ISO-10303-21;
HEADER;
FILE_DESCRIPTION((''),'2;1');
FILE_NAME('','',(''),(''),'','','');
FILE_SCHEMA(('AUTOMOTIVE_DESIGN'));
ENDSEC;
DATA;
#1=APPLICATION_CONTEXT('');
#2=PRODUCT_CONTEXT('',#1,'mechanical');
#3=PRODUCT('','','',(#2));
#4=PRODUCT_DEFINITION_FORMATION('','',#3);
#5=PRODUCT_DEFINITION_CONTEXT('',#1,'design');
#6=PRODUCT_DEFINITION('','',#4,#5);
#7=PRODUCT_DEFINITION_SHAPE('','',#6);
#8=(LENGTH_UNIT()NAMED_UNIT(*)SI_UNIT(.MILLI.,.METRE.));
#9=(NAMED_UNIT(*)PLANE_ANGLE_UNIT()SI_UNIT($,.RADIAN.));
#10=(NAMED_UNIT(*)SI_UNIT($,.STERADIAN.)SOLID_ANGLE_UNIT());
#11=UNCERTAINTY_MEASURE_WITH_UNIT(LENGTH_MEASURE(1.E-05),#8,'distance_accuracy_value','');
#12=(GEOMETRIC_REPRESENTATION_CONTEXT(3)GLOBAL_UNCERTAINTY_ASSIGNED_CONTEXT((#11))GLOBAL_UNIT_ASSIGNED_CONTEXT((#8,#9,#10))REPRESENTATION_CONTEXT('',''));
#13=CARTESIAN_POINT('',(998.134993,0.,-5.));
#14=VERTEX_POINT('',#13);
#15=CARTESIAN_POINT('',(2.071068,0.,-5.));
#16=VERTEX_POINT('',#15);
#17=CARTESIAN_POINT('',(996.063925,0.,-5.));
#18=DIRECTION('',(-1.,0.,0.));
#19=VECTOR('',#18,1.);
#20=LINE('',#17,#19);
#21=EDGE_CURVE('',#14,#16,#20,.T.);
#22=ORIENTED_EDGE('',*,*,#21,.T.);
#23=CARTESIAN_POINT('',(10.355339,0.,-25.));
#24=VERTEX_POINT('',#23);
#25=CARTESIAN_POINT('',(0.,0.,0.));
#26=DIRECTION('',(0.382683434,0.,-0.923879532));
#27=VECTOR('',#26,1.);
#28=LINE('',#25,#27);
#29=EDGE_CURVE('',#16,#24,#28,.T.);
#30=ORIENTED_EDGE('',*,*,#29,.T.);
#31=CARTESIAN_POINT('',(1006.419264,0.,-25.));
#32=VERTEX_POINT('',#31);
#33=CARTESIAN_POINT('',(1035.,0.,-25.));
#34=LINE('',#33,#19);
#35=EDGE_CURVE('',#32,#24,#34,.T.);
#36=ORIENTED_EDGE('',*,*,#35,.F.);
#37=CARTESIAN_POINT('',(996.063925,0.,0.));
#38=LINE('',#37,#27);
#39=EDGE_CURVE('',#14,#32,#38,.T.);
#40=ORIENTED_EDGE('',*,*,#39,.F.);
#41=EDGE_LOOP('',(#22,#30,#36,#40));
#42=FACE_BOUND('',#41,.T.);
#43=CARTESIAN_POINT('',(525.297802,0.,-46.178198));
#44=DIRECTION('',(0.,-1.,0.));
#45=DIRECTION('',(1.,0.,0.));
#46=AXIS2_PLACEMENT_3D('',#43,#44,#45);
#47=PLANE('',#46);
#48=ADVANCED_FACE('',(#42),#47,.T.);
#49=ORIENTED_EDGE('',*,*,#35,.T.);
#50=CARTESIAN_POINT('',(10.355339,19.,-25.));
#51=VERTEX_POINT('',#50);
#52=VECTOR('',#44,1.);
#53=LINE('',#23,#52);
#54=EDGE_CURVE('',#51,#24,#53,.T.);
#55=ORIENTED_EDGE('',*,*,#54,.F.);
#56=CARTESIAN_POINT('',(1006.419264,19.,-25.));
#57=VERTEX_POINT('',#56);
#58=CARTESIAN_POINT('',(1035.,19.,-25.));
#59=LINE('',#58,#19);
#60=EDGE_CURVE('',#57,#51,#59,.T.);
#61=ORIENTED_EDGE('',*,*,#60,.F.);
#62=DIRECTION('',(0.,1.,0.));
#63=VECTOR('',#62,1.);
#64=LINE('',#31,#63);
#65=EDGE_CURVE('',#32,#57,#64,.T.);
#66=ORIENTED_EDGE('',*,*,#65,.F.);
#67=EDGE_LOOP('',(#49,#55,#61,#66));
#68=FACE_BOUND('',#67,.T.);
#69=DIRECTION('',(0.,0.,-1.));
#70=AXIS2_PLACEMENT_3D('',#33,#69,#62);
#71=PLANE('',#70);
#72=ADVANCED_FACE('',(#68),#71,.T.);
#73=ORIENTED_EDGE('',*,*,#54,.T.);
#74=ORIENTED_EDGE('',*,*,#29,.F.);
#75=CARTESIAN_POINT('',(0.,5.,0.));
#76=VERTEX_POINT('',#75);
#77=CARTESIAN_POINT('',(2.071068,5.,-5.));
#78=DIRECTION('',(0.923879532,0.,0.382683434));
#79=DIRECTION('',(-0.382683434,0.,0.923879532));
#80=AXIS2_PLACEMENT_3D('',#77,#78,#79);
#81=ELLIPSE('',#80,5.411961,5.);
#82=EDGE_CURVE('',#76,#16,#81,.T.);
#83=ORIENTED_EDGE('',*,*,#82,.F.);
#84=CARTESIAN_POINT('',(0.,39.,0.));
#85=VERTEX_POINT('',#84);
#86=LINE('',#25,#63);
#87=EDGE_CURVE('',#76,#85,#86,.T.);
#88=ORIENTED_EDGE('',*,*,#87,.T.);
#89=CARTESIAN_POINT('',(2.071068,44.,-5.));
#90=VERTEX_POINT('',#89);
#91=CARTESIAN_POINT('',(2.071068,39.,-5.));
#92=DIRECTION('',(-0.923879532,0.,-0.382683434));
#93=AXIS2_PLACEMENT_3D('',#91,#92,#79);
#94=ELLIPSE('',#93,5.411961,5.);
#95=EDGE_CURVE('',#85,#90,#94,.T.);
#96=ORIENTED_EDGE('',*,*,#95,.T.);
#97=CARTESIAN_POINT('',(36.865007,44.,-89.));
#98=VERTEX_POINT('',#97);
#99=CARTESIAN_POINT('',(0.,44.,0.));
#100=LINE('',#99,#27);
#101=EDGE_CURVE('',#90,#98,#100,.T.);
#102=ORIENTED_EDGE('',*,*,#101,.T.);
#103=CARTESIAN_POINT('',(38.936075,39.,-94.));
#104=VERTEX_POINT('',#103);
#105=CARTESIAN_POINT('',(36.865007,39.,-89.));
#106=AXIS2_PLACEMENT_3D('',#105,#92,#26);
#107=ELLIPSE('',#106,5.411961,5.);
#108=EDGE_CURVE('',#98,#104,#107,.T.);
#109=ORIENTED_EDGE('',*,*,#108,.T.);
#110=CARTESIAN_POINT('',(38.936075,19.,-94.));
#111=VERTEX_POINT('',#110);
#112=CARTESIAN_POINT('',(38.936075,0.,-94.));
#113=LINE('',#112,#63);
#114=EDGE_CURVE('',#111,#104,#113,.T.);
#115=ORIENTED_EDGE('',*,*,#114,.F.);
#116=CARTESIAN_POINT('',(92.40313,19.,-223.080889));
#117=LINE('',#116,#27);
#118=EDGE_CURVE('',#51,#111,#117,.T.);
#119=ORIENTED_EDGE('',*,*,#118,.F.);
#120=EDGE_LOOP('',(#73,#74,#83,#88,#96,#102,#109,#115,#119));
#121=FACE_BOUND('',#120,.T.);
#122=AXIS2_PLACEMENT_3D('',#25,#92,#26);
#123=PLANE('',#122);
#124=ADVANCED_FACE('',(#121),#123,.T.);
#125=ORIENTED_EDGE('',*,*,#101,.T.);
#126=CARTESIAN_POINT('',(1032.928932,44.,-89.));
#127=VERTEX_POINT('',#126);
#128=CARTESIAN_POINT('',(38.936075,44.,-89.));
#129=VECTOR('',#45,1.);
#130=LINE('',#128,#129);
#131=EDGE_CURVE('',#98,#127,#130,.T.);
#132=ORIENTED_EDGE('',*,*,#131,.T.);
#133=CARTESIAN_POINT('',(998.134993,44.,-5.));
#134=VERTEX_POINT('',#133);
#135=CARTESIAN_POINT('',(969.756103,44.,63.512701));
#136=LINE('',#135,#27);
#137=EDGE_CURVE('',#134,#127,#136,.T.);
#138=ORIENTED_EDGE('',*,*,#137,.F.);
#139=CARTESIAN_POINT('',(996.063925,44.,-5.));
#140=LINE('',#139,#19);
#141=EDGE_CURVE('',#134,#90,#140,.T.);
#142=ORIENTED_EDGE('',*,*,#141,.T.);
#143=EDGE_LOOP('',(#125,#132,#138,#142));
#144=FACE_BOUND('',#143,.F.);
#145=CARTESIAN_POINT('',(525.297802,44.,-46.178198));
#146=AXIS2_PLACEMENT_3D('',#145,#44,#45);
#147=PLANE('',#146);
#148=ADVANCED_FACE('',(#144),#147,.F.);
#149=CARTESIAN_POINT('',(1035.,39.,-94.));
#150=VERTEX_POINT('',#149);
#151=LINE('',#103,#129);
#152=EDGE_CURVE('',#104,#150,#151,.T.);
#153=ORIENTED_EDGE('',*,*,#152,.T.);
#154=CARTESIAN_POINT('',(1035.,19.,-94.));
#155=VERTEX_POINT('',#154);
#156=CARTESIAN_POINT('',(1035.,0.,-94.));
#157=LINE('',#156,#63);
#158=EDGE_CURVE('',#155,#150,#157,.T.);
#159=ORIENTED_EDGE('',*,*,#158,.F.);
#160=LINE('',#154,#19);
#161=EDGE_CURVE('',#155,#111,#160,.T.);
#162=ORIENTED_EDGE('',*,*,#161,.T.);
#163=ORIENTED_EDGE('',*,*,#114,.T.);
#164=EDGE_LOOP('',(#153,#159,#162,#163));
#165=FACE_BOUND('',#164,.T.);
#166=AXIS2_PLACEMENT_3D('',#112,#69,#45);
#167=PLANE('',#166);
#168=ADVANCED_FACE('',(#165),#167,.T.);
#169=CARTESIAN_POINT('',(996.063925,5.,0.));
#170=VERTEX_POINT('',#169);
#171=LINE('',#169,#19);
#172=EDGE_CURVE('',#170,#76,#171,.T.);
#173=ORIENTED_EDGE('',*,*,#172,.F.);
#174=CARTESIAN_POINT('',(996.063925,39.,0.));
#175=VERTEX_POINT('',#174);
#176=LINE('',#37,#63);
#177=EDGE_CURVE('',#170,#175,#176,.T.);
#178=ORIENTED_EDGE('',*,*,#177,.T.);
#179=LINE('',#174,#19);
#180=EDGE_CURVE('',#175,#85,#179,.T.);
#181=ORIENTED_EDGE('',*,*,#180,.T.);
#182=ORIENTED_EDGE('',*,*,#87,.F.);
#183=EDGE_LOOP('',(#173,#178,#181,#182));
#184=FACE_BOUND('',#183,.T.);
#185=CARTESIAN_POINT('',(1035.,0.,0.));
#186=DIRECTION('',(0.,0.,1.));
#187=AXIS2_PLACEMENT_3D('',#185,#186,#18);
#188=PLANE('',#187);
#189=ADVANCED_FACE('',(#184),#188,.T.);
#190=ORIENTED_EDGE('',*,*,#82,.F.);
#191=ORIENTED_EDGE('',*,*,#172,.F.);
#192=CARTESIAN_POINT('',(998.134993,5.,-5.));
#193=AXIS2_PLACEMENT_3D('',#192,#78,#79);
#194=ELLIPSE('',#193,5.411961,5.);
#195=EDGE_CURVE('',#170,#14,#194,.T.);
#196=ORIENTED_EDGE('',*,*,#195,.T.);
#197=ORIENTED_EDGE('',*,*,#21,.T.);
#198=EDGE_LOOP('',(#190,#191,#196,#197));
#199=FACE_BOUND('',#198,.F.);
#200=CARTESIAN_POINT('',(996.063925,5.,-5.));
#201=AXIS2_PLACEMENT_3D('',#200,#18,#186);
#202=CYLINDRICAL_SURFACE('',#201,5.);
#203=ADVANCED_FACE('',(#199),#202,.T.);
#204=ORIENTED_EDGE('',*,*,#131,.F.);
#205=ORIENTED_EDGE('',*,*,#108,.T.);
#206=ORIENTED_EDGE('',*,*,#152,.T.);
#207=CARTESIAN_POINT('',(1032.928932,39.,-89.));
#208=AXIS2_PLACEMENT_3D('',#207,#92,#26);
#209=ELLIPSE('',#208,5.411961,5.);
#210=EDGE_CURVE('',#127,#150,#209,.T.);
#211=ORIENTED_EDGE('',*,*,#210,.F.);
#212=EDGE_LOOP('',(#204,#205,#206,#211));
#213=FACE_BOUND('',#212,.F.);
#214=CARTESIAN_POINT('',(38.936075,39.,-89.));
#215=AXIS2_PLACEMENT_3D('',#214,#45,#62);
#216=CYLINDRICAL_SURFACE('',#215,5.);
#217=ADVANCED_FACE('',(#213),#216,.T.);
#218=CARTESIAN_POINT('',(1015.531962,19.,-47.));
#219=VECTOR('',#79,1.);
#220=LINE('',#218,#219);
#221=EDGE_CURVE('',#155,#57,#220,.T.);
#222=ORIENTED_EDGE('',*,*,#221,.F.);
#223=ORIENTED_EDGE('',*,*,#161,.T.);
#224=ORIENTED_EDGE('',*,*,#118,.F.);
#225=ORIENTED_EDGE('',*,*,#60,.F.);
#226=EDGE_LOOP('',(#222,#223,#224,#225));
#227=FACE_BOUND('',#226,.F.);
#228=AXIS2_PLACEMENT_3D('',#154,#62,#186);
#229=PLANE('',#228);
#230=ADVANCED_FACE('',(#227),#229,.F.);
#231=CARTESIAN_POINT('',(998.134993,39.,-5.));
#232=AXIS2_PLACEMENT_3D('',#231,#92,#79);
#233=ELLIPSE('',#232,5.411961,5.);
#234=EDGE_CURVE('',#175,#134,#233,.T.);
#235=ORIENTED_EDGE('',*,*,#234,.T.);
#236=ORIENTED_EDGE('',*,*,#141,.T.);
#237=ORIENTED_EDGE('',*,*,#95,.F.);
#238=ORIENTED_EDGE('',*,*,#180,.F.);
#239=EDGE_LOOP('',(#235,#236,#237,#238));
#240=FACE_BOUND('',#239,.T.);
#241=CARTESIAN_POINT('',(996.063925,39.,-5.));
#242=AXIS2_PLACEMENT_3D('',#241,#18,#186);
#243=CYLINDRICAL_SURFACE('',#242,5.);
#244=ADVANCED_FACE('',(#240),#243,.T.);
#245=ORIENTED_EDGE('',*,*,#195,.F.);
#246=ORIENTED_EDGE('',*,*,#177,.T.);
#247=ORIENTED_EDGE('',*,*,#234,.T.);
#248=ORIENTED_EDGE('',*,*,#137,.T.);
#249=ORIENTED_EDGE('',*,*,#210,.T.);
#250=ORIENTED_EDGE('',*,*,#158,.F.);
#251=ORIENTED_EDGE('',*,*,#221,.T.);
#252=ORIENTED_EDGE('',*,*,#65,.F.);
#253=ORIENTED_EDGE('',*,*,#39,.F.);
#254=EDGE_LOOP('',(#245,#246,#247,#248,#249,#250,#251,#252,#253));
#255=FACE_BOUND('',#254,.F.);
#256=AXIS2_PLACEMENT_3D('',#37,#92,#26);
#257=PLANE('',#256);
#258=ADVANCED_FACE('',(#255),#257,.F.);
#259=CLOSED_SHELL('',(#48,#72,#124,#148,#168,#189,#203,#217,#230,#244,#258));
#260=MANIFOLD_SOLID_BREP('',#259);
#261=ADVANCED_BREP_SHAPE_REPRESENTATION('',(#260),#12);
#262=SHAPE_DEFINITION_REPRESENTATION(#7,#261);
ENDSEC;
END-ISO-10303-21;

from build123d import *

# Parameters (mm, degrees)
F1_DEPTH = 44
F3_W     = 19
F3_H     = 69
F4_DEPTH = 1035.001
F5_DEPTH = 44.001
F6_R     = 5


with BuildPart() as f1:
    # F0 (on Front) → F1 (new body)
    with BuildSketch(Plane.XZ):
        Polygon((1035, 0), (0, 0), (38.936075, -94), (1035, -94), align=None)
    extrude(amount=-F1_DEPTH)

    # F3 (on face) → F4 (cut, through all)
    with BuildSketch(Plane.YZ.offset(1035)):
        with Locations((9.5, -59.5)):
            Rectangle(F3_W, F3_H)
    extrude(amount=-F4_DEPTH, mode=Mode.SUBTRACT)

    # F2 (on face) → F5 (cut, through all)
    with BuildSketch(Plane.XZ):
        Polygon((996.063925, 0), (1035, -94), (1035, 0), align=None)
    extrude(amount=-F5_DEPTH, mode=Mode.SUBTRACT)

    # F6
    f6_edges = [f1.edges().sort_by_distance(p)[0] for p in [
        (498.031963, 0, 0),
        (498.031963, 44, 0),
        (536.968037, 44, -94),
    ]]
    fillet(f6_edges, radius=F6_R)


solid = f1.part
